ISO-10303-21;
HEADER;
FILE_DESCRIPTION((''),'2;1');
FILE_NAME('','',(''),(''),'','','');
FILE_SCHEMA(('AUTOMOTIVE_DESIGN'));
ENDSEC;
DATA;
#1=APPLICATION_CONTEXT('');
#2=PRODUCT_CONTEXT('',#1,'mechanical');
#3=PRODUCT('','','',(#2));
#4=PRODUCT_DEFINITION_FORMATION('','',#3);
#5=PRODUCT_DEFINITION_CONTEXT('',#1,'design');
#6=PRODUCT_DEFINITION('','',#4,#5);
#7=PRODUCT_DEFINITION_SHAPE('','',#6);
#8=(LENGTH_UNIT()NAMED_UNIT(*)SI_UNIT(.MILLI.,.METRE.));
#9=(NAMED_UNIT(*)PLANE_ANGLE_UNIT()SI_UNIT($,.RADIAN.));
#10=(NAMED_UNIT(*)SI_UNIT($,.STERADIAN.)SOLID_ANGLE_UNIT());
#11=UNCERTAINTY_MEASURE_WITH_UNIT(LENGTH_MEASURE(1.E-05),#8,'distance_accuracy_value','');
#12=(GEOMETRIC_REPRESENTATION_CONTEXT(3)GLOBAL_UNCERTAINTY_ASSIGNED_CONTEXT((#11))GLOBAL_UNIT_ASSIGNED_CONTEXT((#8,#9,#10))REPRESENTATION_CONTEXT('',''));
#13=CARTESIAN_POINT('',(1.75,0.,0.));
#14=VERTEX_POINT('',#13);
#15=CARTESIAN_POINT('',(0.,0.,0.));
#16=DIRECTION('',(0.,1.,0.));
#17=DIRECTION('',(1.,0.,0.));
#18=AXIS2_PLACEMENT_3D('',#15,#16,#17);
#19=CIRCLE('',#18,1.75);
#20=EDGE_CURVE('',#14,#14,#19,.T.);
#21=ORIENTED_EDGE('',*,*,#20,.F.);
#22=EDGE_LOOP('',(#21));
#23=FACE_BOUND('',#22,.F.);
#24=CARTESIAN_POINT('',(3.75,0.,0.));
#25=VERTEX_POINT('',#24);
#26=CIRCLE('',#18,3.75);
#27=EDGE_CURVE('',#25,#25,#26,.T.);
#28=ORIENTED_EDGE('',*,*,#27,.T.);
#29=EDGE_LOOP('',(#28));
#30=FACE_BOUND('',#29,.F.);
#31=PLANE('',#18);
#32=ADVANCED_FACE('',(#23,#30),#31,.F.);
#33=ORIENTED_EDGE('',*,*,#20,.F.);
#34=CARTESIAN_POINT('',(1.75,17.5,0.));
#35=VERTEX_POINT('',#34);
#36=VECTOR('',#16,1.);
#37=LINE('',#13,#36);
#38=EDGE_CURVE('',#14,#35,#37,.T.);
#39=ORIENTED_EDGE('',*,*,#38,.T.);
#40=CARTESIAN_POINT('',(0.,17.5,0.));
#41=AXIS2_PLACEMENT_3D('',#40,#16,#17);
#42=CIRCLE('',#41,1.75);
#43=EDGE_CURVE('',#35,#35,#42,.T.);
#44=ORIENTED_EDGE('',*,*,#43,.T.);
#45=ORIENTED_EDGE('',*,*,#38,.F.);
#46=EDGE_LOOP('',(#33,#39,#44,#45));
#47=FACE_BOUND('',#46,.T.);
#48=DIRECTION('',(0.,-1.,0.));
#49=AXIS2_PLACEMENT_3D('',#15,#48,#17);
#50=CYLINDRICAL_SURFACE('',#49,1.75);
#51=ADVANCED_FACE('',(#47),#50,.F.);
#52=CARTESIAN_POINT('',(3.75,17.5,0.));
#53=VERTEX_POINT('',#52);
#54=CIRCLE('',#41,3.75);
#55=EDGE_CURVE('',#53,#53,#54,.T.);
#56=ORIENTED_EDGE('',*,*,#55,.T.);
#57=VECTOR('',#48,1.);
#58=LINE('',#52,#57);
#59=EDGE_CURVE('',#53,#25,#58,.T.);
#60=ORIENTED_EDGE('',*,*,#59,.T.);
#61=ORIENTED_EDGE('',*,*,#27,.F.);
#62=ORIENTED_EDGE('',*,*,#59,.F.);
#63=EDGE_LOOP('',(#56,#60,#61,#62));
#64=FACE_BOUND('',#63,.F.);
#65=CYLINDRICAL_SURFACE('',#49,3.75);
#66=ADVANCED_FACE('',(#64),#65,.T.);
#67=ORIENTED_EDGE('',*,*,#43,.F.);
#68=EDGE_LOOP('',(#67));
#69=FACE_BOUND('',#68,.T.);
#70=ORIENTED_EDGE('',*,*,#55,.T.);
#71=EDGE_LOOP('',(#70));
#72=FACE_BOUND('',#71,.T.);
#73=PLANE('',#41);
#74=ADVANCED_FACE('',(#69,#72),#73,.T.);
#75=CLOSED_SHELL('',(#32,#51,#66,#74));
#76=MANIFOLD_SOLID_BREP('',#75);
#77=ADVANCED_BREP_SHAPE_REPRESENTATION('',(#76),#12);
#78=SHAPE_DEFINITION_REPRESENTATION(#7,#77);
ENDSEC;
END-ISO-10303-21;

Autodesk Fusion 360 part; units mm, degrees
sketch "Sketch1" plane through (0, 0, 0) normal (0, 1, 0) x (1, 0, 0)
  circle A0 centre (0, 0) radius 1.75
  circle A1 centre (0, 0) radius 3.75
  dimension "d1" = 3.5
  dimension "d2" = 7.5
extrude "Extrude1" add sketch "Sketch1" along normal blind 15
extrude "Extrude2" add 1 faces at (3.0629, 15, 0.2732) along direction (0, 1, 0) blind 2.5
